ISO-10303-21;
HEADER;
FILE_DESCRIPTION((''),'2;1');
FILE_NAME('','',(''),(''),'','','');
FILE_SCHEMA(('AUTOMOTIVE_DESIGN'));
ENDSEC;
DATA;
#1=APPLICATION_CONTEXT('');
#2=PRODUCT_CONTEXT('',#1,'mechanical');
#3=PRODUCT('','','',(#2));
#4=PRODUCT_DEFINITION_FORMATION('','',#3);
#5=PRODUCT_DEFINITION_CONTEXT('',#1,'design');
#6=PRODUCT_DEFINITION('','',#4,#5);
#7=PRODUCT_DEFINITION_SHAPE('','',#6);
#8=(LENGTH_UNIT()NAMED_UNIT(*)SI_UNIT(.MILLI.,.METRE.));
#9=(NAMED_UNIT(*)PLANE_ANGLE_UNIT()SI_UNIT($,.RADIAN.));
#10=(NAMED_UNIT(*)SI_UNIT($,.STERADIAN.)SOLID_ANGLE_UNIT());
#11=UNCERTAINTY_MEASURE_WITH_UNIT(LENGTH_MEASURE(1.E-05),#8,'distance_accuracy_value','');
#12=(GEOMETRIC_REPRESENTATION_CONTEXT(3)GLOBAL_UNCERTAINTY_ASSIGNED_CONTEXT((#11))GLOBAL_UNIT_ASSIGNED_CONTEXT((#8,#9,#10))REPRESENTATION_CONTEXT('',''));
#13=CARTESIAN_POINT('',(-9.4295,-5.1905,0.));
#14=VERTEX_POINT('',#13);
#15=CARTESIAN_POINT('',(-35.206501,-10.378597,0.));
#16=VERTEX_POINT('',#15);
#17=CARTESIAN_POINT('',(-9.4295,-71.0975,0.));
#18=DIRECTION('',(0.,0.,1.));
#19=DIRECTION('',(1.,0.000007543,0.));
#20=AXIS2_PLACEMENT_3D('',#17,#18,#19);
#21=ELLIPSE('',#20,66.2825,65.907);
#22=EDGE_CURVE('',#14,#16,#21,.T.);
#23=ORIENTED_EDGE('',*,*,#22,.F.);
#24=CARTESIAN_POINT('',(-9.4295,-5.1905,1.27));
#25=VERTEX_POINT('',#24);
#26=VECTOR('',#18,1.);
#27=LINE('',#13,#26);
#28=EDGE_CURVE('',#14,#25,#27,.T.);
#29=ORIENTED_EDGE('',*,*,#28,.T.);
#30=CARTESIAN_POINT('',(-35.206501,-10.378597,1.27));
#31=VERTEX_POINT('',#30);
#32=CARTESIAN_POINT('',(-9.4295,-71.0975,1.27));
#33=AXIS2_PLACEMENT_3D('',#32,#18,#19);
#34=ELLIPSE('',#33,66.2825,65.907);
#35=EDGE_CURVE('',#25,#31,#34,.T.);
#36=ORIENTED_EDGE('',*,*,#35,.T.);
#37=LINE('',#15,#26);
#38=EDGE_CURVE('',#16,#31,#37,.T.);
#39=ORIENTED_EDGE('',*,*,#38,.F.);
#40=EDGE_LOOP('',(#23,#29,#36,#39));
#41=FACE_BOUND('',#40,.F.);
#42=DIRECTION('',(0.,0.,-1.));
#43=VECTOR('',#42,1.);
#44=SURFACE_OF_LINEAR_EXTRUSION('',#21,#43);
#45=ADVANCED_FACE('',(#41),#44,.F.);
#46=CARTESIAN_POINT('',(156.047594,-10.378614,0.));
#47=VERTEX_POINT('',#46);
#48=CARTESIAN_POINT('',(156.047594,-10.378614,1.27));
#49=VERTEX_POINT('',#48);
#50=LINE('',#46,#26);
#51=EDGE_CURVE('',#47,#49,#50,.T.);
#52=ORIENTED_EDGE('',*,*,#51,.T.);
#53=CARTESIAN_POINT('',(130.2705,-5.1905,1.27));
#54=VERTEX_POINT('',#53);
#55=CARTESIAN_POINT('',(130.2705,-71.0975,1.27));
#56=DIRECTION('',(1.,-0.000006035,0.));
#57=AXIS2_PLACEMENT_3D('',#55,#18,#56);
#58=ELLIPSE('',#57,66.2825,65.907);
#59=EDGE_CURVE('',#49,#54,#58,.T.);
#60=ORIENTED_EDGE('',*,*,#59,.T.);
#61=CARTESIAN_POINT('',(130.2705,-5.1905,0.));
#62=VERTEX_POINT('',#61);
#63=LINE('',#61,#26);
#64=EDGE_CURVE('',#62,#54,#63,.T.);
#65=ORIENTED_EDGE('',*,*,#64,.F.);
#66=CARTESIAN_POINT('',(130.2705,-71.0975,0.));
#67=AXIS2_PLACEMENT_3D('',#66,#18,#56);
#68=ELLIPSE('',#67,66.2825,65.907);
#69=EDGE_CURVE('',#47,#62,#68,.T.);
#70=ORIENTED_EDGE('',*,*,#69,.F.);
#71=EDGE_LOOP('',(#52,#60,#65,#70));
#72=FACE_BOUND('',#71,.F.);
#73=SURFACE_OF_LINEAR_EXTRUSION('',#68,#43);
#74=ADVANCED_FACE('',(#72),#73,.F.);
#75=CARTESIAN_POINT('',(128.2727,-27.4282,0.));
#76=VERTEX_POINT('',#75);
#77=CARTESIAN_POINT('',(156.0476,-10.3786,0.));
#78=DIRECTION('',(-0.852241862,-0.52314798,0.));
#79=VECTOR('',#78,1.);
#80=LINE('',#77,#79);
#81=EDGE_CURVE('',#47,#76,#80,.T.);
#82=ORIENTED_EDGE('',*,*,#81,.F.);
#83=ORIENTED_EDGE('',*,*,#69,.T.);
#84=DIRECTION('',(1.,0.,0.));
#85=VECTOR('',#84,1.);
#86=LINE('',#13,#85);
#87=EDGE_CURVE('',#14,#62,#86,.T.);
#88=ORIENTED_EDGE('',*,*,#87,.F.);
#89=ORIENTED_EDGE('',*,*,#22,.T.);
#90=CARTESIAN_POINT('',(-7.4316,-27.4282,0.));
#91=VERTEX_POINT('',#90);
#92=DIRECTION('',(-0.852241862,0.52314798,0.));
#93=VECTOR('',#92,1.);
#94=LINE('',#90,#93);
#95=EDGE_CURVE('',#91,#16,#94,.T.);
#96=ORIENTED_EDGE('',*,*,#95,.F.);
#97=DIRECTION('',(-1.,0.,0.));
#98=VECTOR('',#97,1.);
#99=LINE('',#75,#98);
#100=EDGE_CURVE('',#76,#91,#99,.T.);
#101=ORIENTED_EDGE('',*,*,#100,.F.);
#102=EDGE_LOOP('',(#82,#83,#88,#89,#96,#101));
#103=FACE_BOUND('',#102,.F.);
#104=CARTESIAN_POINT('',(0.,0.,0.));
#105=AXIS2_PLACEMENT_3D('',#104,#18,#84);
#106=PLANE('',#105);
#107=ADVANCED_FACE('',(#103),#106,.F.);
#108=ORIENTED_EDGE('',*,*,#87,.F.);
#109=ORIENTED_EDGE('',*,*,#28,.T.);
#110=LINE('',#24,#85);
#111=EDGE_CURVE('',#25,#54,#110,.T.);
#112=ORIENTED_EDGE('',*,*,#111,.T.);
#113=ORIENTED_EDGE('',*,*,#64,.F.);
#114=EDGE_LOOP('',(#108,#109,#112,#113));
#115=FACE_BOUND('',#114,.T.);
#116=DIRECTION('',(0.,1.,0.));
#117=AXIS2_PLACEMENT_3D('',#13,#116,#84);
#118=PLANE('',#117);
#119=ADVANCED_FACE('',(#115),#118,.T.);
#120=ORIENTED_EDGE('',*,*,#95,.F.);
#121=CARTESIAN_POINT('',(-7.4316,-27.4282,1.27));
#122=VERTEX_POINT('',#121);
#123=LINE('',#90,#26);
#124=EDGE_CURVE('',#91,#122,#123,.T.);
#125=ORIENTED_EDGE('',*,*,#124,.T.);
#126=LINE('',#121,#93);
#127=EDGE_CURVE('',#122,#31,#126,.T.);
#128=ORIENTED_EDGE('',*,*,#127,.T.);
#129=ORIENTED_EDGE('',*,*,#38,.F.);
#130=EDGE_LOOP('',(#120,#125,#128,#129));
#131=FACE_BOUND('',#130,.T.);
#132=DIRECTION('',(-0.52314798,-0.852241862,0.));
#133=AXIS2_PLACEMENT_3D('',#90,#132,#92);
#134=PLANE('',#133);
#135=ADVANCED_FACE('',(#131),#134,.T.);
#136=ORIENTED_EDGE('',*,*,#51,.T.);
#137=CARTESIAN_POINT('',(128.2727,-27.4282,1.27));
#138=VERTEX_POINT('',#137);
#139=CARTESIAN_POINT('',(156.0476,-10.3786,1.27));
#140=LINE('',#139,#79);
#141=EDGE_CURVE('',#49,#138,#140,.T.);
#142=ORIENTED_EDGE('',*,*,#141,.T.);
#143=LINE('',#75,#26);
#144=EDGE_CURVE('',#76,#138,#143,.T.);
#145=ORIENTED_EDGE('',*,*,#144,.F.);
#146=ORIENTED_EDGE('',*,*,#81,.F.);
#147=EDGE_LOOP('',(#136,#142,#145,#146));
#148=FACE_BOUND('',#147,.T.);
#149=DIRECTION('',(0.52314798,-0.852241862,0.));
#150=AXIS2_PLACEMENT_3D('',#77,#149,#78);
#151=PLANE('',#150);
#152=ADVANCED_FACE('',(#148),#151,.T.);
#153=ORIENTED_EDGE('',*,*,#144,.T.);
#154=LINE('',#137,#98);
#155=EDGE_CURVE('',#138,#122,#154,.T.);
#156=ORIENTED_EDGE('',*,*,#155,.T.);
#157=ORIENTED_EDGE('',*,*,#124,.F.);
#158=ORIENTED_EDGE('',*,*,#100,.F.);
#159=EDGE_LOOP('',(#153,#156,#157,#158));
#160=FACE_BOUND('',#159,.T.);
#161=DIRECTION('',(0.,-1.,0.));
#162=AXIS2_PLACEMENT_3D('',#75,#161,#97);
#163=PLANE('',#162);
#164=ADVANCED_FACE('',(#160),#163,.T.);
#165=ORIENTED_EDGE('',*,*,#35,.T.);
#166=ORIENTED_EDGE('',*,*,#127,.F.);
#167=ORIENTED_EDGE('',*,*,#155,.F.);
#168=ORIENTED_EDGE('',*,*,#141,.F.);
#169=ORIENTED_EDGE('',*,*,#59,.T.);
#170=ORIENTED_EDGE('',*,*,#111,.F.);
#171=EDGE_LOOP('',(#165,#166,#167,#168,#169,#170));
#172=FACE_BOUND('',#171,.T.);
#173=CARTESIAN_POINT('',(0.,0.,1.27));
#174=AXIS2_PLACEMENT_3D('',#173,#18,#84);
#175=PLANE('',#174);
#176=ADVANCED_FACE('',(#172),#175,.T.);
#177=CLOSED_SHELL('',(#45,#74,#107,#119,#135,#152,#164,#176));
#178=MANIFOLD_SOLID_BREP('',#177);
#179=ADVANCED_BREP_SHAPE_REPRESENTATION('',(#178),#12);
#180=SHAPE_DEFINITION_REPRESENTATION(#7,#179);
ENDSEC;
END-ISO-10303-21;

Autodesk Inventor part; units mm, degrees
ref_plane "YZ Plane" through (0, 0, 0) normal (1, 0, 0) x (0, 1, 0)
ref_plane "XZ Plane" through (0, 0, 0) normal (0, 1, 0) x (-1, 0, 0)
ref_plane "XY Plane" through (0, 0, 0) normal (0, 0, 1) x (1, 0, 0)
sketch "Sketch1" plane through (0, 0, 0) normal (0, 0, 1) x (1, 0, 0)
  line L0 (-7.4316, -27.4282) -> (-35.2065, -10.3786)
  ellipse E0 centre (-9.4295, -71.0975) end of major axis (56.853, -71.097) minor radius 65.907 (-9.4295, -5.1905) -> (-35.2065, -10.3786) ccw
  line L1 (-9.4295, -5.1905) -> (130.2705, -5.1905)
  ellipse E1 centre (130.2705, -71.0975) end of major axis (196.553, -71.0979) minor radius 65.907 (156.0476, -10.3786) -> (130.2705, -5.1905) ccw
  line L2 (156.0476, -10.3786) -> (128.2727, -27.4282)
  line L3 (128.2727, -27.4282) -> (-7.4316, -27.4282)
extrude "Extrusion1" add sketch "Sketch1" along normal blind 1.27
properties part number "acrlyc 2.0"
